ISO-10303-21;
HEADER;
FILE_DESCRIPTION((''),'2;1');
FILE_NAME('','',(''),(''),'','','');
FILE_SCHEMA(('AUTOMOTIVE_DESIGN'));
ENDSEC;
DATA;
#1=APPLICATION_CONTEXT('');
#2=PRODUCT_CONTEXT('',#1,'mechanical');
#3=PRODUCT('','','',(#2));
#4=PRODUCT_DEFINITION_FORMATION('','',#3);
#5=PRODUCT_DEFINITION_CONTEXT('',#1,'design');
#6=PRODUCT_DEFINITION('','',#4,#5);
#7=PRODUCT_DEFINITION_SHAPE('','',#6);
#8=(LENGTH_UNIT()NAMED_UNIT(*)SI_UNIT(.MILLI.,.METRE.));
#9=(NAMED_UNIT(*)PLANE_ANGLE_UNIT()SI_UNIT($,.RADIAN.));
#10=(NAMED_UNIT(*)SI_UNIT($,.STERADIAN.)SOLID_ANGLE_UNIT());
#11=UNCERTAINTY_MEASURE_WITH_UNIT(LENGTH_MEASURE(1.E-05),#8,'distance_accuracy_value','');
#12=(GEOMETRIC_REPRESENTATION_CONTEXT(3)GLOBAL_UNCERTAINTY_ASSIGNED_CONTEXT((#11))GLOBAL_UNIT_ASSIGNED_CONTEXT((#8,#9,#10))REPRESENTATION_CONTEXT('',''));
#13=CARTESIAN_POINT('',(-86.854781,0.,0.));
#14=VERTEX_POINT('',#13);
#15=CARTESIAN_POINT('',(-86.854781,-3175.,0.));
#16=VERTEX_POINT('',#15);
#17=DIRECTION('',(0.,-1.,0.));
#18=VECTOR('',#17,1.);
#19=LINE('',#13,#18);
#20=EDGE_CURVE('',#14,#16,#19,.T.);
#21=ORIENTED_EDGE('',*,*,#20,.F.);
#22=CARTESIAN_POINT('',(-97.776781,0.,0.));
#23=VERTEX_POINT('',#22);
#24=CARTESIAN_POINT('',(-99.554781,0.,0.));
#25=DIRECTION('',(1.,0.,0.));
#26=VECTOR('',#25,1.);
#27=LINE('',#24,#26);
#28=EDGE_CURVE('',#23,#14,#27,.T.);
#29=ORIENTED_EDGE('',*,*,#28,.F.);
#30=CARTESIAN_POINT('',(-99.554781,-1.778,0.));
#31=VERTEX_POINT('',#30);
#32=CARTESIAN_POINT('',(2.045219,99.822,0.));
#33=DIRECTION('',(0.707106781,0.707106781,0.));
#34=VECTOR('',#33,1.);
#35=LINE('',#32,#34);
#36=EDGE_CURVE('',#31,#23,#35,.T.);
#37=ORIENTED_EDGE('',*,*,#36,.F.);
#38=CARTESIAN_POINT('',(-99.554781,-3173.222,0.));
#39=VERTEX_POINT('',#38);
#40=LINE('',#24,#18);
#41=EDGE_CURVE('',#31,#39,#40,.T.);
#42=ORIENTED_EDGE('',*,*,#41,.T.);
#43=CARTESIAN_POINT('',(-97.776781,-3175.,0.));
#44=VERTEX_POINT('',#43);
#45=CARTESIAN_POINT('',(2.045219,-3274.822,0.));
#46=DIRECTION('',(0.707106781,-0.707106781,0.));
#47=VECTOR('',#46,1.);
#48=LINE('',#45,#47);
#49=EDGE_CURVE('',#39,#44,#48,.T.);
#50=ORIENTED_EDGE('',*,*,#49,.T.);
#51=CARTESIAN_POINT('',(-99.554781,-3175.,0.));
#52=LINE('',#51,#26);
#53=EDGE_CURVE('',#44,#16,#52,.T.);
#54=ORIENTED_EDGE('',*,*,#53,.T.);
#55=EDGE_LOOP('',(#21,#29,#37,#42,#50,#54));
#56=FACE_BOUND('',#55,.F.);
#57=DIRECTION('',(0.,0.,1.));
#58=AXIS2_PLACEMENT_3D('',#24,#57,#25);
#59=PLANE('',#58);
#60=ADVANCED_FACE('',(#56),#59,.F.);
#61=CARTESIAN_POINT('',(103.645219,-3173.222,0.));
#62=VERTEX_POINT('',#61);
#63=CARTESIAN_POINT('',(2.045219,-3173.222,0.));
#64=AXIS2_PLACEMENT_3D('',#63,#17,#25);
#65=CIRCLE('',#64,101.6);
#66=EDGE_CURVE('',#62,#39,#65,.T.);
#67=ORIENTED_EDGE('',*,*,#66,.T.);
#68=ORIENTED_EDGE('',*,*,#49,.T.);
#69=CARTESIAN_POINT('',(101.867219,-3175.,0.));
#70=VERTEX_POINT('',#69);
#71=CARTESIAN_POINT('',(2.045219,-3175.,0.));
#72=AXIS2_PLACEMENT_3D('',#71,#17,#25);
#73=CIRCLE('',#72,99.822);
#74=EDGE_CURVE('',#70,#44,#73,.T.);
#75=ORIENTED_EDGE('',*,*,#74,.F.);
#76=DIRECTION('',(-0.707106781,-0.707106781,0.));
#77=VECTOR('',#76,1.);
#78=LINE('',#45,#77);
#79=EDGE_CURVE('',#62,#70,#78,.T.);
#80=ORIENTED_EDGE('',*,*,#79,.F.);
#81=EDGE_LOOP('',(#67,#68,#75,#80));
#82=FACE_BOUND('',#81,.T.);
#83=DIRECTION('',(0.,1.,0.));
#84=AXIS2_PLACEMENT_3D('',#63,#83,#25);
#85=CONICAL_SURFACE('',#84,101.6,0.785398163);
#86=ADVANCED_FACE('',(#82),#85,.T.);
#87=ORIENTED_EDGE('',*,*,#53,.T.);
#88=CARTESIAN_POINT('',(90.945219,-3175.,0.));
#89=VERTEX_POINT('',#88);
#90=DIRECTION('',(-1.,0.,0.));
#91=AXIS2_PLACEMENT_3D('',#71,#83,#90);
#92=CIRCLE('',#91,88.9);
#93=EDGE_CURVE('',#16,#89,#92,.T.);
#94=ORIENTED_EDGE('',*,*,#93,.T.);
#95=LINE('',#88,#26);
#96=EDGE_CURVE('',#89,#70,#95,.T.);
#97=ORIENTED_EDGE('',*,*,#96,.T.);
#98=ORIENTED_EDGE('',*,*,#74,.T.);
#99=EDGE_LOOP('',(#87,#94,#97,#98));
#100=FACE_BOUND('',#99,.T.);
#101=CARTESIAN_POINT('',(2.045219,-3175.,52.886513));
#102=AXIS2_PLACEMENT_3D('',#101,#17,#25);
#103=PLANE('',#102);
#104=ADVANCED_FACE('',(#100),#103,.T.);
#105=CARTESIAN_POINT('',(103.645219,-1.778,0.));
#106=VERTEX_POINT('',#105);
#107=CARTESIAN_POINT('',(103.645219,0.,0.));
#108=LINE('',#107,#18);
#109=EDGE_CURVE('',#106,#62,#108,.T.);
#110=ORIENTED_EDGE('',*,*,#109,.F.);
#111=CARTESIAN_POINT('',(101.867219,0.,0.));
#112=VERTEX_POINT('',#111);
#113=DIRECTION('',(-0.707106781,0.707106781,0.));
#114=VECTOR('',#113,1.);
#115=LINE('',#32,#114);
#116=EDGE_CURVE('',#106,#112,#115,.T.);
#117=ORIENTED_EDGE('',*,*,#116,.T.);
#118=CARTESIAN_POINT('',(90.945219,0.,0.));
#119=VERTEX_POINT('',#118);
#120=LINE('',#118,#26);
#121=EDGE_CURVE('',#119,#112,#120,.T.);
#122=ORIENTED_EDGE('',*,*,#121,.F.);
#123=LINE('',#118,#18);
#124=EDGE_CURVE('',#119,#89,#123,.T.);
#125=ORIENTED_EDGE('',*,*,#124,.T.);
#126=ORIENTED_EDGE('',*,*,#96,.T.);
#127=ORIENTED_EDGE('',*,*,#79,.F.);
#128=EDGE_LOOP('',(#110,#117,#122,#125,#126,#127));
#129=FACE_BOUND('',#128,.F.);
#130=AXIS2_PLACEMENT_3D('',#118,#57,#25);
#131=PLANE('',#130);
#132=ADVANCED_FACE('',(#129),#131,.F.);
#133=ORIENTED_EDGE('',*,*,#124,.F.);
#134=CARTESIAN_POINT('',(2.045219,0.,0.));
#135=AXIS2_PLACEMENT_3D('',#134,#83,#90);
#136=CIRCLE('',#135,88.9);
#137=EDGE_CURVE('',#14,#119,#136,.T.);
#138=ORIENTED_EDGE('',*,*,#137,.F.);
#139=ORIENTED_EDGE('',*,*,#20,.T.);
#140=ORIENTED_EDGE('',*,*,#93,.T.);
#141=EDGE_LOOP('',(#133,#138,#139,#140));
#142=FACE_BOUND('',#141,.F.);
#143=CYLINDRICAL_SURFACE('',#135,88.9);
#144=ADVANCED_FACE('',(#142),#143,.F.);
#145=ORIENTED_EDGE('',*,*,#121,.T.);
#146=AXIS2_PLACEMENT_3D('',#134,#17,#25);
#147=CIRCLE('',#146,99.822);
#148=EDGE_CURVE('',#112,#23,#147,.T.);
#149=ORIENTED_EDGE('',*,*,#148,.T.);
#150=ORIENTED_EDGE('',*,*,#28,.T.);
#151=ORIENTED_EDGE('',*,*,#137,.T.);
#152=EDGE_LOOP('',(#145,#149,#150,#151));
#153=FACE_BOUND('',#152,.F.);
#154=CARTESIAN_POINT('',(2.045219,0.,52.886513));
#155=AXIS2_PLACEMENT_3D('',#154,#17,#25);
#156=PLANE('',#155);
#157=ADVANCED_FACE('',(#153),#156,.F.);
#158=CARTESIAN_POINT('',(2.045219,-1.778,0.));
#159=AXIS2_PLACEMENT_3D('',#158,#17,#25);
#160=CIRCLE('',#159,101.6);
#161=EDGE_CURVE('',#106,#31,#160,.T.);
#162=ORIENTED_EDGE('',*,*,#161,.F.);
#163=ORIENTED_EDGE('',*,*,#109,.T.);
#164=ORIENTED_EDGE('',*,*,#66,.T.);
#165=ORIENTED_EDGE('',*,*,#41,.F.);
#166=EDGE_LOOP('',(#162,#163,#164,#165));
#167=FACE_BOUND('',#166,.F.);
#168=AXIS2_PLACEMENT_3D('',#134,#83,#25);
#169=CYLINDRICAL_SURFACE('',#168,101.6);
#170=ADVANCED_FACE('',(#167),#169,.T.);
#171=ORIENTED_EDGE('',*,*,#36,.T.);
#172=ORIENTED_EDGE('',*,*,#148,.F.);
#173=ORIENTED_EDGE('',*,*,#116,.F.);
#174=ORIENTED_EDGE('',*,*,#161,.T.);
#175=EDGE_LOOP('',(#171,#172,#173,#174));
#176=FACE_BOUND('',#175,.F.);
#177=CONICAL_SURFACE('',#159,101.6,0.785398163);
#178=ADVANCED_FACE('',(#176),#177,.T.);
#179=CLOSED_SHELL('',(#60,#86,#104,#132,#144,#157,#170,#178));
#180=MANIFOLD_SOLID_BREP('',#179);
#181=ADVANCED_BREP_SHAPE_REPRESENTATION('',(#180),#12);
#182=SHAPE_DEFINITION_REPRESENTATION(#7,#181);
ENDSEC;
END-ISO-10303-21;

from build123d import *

# Parameters (mm, degrees)
F1_DEPTH = 3175
F2_SIZE  = 1.778


with BuildPart() as f1:
    # F0 (on Front) → F1 (new body)
    with BuildSketch(Plane.XZ):
        with BuildLine():
            Line((90.945219, 0), (103.645219, 0))
            ThreePointArc((103.645219, 0), (2.045219, 101.6), (-99.554781, 0))
            Line((-99.554781, 0), (-86.854781, 0))
            ThreePointArc((-86.854781, 0), (2.045219, 88.9), (90.945219, 0))
        make_face()
    extrude(amount=F1_DEPTH)

    # F2
    f2_edges = [f1.edges().sort_by_distance(p)[0] for p in [
        (2.045219, 0, 101.6),
        (2.045219, -3175, 101.6),
    ]]
    chamfer(f2_edges, length=F2_SIZE)


solid = f1.part
